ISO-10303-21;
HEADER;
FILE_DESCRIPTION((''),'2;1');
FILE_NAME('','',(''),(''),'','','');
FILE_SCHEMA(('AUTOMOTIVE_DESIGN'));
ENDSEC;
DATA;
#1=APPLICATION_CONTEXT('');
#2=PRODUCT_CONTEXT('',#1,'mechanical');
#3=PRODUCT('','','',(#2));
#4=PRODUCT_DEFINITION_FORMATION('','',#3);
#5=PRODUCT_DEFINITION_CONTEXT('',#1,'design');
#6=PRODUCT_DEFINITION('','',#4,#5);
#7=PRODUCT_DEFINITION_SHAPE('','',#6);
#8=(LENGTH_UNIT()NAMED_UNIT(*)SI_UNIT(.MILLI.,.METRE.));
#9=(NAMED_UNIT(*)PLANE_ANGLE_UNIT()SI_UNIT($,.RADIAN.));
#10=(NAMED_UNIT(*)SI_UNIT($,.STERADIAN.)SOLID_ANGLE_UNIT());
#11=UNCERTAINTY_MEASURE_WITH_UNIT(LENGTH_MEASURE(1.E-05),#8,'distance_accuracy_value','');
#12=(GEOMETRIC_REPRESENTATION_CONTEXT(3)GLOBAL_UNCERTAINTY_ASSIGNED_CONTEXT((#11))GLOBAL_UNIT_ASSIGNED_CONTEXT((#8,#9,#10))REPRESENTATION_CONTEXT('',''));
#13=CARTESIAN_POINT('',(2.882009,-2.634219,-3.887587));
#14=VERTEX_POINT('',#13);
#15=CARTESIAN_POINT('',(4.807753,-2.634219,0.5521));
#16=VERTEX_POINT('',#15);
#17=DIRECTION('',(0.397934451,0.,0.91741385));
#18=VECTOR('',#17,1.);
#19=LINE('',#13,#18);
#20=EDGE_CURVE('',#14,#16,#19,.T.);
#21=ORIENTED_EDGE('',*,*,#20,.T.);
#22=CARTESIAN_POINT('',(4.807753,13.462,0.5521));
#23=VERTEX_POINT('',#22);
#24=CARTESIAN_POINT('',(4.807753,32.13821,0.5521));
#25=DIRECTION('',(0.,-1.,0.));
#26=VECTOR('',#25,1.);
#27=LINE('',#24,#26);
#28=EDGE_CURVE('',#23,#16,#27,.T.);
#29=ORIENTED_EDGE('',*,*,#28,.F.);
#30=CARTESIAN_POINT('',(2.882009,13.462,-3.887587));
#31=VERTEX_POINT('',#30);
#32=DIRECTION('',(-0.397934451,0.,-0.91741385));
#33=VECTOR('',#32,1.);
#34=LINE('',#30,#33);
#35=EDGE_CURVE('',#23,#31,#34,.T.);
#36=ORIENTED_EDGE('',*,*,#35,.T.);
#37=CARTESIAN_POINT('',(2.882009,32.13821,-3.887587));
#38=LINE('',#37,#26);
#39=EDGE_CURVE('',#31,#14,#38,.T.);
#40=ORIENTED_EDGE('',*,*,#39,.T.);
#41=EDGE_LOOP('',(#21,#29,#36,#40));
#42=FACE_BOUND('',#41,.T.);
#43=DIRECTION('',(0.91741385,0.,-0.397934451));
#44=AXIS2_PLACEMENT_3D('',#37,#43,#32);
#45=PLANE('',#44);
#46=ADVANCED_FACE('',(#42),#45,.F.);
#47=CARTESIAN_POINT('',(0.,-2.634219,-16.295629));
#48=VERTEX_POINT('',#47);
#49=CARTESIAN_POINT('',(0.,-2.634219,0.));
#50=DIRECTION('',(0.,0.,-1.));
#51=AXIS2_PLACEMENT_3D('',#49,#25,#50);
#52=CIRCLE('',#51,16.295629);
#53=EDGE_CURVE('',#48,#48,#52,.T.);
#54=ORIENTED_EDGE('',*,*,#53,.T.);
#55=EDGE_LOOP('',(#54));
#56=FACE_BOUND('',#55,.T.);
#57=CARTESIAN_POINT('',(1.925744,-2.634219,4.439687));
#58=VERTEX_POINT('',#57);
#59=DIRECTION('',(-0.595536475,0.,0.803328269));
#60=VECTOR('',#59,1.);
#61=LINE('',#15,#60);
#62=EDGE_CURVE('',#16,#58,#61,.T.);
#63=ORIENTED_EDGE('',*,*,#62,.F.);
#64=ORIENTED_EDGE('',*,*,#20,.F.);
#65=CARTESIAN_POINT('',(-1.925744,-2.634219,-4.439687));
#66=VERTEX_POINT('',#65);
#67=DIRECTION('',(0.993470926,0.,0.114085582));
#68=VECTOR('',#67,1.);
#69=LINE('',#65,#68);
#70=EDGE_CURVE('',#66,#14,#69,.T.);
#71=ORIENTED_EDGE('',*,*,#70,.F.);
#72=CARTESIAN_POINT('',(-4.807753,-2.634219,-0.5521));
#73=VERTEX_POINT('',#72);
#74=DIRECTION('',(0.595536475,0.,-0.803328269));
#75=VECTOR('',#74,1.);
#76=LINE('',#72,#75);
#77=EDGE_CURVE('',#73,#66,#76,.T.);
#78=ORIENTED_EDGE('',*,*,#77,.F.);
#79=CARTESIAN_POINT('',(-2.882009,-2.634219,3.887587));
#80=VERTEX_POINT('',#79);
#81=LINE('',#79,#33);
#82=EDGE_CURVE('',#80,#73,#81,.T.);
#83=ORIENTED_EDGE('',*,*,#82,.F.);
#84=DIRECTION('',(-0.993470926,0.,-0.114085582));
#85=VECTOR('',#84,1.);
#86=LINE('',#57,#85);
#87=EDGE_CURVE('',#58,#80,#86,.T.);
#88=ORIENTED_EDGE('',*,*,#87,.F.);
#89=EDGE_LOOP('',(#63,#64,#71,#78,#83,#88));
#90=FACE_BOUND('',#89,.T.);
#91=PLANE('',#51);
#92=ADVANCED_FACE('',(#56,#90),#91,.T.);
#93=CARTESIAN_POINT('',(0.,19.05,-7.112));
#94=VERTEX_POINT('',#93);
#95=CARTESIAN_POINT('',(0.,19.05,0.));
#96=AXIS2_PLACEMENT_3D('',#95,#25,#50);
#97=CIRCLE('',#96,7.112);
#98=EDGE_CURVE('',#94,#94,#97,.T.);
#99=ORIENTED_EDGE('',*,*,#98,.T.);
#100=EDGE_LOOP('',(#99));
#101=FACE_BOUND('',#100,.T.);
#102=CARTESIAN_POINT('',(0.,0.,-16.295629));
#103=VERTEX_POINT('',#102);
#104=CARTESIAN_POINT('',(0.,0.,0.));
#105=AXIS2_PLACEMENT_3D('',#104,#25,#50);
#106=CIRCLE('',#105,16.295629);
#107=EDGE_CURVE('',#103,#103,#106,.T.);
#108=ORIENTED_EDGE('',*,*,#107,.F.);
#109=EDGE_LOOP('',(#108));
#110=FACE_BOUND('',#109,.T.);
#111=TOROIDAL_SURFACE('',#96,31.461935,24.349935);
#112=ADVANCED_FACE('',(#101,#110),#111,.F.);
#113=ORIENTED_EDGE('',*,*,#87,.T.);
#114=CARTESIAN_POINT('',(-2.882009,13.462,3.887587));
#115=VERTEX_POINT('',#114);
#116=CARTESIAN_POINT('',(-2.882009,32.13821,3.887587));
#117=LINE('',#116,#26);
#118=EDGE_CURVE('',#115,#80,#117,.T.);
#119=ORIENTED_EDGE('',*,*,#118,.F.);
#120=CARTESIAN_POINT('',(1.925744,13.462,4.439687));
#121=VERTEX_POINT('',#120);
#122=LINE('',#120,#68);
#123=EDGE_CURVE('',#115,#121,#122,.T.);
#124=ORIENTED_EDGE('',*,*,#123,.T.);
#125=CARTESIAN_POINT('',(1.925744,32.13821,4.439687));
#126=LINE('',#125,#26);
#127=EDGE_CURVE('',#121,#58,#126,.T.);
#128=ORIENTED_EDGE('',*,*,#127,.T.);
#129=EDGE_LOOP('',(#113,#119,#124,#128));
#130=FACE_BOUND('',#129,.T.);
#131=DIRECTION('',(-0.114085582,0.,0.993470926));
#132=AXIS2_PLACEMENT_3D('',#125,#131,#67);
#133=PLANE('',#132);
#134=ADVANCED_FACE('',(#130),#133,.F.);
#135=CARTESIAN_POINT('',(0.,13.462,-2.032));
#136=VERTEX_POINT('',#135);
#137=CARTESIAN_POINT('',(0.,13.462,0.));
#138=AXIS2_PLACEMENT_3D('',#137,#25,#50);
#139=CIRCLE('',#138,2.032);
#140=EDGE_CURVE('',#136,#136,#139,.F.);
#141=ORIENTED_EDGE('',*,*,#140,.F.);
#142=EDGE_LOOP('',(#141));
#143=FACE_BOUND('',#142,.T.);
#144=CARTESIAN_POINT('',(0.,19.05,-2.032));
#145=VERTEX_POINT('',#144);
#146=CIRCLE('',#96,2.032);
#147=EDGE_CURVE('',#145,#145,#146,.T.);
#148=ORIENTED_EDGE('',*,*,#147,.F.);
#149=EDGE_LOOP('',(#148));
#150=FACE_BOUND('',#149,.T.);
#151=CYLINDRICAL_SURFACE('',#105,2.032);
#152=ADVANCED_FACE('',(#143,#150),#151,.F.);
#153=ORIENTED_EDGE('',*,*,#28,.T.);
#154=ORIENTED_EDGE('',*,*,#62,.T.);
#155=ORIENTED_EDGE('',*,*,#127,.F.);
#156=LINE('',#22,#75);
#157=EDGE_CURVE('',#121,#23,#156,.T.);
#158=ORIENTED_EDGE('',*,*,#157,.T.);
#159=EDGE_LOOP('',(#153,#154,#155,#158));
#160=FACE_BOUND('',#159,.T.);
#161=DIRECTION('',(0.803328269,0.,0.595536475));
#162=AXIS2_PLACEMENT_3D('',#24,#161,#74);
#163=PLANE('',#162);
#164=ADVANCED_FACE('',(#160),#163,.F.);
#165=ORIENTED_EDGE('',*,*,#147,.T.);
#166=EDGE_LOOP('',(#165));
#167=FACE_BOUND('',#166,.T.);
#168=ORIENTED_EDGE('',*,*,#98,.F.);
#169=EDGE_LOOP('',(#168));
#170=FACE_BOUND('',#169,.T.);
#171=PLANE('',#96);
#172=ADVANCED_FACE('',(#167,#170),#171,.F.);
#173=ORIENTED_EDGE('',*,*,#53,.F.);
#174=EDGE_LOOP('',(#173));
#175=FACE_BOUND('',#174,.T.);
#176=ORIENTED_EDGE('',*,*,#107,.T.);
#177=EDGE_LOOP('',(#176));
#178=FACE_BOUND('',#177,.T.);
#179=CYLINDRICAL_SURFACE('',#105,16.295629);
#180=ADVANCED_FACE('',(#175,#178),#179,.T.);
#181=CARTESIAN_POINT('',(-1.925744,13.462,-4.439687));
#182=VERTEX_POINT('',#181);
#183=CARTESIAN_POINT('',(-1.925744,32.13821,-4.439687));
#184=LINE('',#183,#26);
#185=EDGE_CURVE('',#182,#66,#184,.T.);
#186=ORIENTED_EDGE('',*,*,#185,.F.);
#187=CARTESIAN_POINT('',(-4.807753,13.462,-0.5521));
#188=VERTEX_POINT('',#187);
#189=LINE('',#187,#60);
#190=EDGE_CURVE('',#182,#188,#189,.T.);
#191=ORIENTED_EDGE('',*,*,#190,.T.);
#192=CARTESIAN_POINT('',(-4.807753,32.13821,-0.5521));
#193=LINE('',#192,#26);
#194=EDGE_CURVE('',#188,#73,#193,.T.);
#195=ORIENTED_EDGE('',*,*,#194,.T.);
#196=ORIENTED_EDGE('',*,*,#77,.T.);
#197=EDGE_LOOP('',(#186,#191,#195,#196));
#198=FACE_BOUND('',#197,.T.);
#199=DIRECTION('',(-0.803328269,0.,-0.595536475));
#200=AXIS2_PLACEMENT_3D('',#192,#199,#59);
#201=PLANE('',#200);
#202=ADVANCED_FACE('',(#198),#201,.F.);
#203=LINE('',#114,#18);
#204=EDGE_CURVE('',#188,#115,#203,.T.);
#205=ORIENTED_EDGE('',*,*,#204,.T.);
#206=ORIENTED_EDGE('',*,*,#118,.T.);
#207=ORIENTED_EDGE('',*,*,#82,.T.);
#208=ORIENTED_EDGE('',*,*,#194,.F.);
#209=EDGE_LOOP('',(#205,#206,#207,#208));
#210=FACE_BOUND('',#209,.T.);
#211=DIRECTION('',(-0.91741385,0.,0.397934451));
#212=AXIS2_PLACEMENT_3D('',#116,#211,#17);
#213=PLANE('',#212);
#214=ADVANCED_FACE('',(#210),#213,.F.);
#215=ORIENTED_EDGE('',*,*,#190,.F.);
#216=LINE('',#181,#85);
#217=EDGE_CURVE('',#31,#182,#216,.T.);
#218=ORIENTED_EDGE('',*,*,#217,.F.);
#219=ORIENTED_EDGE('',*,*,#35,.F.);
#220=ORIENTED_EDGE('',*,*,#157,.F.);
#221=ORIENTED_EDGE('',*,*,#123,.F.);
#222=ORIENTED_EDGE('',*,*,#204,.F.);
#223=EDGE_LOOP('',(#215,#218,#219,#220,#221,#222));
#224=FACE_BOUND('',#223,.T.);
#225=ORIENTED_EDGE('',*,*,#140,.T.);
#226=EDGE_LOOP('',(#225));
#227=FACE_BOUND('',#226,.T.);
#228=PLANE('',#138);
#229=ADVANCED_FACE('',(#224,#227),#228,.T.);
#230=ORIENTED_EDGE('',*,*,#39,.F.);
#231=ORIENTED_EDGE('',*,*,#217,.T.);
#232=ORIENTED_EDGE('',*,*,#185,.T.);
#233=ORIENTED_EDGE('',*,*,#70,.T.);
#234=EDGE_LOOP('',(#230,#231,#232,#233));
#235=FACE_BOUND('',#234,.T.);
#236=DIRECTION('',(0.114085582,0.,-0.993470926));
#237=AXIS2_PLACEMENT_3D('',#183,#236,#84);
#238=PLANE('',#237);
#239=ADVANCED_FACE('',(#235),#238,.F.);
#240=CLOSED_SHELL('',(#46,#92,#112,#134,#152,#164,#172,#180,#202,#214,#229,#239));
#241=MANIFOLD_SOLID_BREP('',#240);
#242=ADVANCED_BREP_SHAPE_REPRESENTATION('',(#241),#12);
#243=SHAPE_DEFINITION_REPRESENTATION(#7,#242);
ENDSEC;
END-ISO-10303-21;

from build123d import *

# Parameters (mm, degrees)
CUT_EXTRUDE1_DEPTH = 16.096219


with BuildPart() as part:
    # Sketch2 → Revolve1 (revolve)
    with BuildSketch(Plane.XY):
        with BuildLine():
            Line((2.032, -2.634219297), (2.032, 19.05))
            Line((2.032, 19.05), (7.112, 19.05))
            ThreePointArc((7.112, 19.05), (9.527739154, 8.475956955), (16.295629201, 0))
            Line((16.295629201, 0), (16.295629201, -2.634219297))
            Line((16.295629201, -2.634219297), (2.032, -2.634219297))
        make_face()
    revolve(axis=Axis((0, 0, 0), (0, 1, 0)))

    # Sketch3 → Cut-Extrude1 (cut)
    with BuildSketch(Plane.XZ.offset(2.634219297)):
        Polygon((4.80775348, 0.552100056), (1.925744066, 4.439686677), (-2.882009414, 3.887586621), (-4.80775348, -0.552100056), (-1.925744066, -4.439686677), (2.882009414, -3.887586621), align=None)
    extrude(amount=-CUT_EXTRUDE1_DEPTH, mode=Mode.SUBTRACT)


solid = part.part
